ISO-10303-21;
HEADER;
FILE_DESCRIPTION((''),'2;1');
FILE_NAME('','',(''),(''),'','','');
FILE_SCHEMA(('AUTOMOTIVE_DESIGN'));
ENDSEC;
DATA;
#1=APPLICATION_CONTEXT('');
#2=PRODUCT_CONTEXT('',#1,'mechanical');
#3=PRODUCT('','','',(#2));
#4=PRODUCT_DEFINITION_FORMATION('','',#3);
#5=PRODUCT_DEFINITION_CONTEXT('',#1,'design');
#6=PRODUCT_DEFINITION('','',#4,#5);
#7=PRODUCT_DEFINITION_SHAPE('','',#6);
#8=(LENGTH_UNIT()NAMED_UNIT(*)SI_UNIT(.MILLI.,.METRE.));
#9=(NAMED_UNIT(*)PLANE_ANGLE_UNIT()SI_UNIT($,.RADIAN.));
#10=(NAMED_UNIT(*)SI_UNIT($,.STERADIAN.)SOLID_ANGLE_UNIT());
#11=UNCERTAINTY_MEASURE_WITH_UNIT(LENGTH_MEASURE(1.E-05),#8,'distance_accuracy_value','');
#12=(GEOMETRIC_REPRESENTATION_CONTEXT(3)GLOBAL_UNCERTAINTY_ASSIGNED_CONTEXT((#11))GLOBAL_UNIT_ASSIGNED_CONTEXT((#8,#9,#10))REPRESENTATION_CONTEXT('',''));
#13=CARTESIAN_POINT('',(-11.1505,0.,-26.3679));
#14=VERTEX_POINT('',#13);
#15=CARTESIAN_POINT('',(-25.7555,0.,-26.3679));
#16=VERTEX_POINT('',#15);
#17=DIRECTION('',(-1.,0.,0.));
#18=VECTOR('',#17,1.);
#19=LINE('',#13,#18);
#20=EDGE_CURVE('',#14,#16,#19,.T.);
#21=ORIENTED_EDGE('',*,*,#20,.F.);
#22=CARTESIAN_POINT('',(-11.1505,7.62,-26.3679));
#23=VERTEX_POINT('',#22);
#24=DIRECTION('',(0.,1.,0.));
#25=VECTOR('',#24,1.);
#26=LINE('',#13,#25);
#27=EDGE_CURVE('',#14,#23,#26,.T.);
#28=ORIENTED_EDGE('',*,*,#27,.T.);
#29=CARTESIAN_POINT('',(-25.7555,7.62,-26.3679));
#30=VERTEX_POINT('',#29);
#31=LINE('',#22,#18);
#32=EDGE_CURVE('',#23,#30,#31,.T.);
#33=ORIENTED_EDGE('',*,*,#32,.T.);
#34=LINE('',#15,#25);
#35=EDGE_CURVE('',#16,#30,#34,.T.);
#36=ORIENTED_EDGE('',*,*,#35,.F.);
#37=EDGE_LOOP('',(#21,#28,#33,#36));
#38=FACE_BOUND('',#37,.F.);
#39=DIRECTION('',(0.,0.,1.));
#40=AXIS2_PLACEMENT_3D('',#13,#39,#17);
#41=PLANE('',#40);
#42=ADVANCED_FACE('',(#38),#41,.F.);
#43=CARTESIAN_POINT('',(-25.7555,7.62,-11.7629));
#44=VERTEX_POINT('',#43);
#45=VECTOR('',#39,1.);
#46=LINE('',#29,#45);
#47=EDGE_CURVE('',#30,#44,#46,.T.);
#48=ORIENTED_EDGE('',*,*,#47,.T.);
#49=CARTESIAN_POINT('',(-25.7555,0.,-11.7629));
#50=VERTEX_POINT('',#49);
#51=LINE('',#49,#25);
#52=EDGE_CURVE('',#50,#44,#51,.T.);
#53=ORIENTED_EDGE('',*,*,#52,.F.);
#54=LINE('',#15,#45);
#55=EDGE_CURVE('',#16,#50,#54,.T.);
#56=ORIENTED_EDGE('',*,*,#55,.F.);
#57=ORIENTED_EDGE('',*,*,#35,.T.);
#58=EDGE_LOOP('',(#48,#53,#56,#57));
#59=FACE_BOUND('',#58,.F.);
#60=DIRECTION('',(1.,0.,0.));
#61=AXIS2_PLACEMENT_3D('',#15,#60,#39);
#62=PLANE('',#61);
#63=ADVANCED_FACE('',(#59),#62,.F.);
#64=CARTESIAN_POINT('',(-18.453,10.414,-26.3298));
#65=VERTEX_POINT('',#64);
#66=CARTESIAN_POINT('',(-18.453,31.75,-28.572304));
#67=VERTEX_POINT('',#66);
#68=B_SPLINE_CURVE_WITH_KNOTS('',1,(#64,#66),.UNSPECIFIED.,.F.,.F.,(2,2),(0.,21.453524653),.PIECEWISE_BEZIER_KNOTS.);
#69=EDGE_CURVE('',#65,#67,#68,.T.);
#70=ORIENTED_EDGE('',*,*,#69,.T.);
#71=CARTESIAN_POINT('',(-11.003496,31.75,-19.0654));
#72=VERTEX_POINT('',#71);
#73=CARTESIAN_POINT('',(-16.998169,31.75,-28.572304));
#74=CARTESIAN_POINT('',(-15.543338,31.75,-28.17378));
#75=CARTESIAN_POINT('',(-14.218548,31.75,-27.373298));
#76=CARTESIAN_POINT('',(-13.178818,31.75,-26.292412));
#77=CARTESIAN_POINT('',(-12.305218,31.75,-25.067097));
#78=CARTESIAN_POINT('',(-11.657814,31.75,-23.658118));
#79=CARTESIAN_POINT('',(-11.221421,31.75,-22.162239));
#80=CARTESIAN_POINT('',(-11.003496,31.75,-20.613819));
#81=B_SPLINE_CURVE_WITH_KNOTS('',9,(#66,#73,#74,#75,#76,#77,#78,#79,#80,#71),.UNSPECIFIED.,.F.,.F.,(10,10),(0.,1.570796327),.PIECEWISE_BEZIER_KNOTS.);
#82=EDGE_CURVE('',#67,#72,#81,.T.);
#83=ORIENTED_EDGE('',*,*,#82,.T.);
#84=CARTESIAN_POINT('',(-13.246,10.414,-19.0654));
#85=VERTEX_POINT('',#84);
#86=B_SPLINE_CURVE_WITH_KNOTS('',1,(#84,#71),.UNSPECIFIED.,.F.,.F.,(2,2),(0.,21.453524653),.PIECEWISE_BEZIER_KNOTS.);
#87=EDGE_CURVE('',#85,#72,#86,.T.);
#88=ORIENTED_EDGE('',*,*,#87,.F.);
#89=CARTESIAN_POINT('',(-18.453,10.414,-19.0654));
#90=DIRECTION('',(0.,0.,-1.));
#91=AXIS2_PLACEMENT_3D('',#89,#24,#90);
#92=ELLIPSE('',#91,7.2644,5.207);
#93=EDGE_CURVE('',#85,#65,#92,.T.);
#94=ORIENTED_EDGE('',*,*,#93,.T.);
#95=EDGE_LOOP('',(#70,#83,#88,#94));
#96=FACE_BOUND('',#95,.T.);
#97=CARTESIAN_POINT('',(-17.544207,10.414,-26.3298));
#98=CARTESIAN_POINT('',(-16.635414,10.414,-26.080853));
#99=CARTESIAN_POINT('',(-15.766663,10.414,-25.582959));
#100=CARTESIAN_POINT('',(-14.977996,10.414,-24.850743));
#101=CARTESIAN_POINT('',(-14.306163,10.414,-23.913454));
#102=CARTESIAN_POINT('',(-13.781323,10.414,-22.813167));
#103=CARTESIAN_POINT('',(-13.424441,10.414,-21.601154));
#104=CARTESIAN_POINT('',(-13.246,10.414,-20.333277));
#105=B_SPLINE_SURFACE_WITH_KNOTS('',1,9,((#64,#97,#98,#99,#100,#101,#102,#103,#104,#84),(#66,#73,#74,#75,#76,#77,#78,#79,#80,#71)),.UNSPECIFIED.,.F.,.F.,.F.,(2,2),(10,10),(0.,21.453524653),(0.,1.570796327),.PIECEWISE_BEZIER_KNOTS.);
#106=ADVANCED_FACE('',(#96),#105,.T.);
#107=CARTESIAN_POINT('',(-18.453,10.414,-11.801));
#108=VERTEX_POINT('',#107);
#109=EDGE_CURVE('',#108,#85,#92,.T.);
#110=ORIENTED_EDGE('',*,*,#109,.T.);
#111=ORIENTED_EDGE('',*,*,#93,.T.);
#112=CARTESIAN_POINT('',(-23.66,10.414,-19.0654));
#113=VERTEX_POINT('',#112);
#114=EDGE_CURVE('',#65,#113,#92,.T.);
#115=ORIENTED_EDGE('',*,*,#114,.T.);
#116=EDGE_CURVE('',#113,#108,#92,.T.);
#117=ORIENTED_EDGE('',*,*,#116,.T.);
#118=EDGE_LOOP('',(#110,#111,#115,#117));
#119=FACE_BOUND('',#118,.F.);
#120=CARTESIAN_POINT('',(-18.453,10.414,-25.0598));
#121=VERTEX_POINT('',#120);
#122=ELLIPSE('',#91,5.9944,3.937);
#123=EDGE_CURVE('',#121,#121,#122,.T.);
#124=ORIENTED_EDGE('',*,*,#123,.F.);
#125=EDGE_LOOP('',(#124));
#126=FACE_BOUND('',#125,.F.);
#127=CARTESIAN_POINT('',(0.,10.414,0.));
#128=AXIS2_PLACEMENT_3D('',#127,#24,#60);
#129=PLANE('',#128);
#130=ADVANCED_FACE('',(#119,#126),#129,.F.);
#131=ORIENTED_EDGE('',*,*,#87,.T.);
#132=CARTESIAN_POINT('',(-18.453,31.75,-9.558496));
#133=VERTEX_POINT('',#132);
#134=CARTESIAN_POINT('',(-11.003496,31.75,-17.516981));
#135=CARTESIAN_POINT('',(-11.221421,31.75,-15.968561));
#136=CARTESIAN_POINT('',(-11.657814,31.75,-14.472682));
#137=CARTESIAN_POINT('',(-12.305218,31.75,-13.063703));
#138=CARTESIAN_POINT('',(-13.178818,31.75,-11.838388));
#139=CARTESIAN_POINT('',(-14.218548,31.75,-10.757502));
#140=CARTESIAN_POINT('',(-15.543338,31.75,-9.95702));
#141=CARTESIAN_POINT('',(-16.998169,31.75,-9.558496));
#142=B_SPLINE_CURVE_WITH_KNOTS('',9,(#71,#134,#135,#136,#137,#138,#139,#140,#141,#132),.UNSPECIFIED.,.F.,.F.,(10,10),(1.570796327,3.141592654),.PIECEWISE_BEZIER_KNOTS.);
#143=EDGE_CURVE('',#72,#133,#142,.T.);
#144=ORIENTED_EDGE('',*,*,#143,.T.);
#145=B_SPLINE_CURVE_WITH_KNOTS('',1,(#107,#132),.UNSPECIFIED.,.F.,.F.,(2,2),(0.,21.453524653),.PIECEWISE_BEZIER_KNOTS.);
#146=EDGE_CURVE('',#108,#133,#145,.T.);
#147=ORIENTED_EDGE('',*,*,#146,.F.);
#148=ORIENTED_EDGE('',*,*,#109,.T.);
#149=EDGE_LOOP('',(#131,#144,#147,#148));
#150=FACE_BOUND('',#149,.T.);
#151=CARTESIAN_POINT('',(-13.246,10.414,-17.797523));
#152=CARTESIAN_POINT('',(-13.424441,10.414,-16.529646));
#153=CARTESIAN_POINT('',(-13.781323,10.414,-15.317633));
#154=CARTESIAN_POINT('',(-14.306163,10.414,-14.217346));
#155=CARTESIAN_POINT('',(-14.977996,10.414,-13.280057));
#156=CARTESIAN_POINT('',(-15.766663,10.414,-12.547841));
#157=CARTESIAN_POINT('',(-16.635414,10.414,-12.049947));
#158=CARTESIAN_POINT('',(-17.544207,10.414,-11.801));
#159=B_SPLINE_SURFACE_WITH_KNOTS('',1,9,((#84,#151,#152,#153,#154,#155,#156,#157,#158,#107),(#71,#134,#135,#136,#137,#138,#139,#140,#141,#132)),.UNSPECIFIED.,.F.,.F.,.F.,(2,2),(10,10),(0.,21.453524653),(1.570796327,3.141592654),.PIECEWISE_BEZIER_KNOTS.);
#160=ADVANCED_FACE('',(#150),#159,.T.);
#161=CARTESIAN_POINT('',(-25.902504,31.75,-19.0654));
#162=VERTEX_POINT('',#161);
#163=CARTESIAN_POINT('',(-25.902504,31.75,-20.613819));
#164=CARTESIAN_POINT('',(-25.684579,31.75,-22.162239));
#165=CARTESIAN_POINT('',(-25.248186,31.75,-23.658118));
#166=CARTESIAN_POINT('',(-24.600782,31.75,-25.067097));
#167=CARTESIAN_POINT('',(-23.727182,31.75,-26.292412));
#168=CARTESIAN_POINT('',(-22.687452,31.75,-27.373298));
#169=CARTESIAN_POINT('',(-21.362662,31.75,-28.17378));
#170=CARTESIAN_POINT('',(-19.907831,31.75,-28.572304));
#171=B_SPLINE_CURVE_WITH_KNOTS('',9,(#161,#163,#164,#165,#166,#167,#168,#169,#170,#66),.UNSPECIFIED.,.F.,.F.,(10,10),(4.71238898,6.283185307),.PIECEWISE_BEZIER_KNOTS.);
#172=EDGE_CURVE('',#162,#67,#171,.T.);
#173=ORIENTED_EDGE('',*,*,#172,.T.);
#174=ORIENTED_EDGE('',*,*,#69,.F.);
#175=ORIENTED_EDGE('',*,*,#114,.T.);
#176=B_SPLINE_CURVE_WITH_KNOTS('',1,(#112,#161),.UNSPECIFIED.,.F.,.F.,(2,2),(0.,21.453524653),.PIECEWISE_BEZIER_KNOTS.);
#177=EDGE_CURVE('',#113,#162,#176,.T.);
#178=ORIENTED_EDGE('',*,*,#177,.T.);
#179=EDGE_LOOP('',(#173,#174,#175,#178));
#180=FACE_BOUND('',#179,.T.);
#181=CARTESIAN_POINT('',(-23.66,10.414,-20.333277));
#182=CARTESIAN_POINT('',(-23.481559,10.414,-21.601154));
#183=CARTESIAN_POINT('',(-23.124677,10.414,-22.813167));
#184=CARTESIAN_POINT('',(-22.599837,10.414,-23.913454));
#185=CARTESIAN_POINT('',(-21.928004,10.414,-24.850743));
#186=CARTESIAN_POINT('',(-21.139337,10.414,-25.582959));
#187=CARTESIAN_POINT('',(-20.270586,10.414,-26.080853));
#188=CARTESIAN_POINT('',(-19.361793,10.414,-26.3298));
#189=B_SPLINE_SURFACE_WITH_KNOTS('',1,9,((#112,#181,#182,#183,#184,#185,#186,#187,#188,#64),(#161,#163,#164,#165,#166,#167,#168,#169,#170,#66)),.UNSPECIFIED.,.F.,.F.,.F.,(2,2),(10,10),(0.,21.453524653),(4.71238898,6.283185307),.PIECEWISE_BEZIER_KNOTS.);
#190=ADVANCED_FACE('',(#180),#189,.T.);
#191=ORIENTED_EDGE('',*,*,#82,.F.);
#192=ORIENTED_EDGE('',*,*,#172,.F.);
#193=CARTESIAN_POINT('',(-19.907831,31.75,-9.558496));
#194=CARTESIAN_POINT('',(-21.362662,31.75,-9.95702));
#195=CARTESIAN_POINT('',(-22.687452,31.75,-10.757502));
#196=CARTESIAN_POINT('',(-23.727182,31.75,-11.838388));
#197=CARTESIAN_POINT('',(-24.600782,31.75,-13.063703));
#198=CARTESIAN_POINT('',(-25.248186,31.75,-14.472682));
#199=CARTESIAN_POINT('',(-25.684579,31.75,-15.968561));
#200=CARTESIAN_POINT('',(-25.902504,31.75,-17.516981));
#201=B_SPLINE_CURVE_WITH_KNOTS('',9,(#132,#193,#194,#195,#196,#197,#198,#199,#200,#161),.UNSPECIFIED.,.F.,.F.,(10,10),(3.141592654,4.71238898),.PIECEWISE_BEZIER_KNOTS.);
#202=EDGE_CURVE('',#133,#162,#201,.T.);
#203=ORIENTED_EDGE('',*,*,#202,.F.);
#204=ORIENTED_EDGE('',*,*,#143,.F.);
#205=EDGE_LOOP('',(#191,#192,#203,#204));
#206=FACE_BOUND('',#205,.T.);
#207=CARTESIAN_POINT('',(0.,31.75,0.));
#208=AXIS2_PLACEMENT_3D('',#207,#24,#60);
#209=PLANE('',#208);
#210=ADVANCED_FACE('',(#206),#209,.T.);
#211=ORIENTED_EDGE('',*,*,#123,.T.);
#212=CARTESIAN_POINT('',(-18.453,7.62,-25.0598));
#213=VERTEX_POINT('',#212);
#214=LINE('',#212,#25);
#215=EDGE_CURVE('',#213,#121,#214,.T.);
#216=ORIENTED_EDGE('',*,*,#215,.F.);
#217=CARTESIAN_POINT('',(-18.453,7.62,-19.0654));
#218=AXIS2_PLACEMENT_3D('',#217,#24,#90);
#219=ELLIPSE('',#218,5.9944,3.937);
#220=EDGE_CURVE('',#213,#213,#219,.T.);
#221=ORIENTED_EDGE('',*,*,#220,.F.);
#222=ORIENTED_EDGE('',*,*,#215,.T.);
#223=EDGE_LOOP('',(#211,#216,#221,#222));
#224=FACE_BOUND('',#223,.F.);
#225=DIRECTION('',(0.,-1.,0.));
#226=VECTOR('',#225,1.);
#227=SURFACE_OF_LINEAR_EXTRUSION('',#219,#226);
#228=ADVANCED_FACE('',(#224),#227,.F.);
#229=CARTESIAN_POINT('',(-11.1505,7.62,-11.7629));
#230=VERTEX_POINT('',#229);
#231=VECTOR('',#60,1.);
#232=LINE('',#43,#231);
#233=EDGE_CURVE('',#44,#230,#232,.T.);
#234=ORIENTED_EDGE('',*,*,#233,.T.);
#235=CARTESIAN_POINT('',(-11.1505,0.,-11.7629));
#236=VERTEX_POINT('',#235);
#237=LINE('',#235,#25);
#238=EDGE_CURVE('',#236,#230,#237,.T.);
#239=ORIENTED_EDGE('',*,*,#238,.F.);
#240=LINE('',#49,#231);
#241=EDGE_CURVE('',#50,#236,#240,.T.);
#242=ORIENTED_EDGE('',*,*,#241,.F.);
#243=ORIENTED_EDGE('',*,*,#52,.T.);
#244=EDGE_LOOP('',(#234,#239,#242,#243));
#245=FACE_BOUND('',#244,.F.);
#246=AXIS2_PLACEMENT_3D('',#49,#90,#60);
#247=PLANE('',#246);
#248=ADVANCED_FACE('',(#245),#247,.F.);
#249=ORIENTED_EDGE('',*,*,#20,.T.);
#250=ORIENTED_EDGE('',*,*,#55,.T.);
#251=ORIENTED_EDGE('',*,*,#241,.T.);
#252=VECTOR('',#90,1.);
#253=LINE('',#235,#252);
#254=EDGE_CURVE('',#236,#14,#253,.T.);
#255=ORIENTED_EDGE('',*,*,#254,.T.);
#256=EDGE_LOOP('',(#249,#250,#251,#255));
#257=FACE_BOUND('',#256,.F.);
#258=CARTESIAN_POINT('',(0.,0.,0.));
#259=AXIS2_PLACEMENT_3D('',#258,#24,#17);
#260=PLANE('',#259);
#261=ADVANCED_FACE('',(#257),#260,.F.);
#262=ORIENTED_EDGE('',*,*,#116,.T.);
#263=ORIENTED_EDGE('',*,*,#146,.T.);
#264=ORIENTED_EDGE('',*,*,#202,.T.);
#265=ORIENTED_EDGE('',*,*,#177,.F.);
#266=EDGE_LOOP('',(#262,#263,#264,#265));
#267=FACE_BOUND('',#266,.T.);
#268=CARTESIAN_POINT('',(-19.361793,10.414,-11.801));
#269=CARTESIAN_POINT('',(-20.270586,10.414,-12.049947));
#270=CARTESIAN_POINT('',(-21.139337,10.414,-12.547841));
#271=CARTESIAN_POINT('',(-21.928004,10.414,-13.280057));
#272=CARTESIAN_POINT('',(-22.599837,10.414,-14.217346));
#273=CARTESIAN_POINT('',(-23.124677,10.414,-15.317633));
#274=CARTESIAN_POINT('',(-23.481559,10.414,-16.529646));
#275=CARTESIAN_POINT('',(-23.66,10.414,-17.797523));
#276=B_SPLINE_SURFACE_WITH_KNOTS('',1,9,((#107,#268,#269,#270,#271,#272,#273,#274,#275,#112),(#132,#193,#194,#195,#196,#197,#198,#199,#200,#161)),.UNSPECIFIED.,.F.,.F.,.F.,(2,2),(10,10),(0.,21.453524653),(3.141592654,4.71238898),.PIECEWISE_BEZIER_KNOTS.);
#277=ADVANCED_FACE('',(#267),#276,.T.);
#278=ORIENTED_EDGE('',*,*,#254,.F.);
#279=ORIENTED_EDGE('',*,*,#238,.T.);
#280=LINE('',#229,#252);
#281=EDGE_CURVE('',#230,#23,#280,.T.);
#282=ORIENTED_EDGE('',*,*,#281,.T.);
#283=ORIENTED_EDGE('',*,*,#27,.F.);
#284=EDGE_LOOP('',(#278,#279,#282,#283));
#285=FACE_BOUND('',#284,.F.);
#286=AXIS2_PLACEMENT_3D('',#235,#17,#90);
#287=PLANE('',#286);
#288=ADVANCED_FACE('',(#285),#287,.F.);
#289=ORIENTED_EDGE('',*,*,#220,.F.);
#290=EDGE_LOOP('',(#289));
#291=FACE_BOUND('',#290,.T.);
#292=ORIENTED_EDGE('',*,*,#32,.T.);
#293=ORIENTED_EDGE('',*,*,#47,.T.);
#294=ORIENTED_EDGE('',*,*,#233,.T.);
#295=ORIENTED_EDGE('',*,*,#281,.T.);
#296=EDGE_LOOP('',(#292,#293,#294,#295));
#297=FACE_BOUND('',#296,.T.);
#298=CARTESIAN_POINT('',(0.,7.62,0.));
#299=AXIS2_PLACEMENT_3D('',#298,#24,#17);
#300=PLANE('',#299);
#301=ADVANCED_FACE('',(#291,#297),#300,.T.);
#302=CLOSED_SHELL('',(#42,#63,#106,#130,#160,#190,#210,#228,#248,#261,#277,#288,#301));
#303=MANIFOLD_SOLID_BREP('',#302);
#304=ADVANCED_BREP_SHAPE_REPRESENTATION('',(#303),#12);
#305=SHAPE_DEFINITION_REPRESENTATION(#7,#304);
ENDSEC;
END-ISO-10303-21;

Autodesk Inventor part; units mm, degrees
ref_plane "YZ Plane" through (0, 0, 0) normal (1, 0, 0) x (0, 1, 0)
ref_plane "XZ Plane" through (0, 0, 0) normal (0, 1, 0) x (-1, 0, 0)
ref_plane "XY Plane" through (0, 0, 0) normal (0, 0, 1) x (1, 0, 0)
sketch "Sketch2" plane through (0, 0, 0) normal (0, 1, 0) x (-1, 0, 0)
  line L0 (25.7555, -11.7629) -> (11.1505, -11.7629)
  line L1 (11.1505, -11.7629) -> (11.1505, -26.3679)
  line L2 (11.1505, -26.3679) -> (25.7555, -26.3679)
  line L3 (25.7555, -26.3679) -> (25.7555, -11.7629)
  point P0 (0, 0)
  dimension "d0" = 14.605
  dimension "d1" = 14.605
extrude "Extrusion1" add sketch "Sketch2" along normal blind 7.62
sketch "Sketch3" plane through (0, 7.62, 0) normal (0, 1, 0) x (1, 0, 0)
  ellipse E0 centre (-18.453, 19.0654) end of major axis (-18.453, 25.0598) minor radius 3.937
  ellipse E1 centre (-18.453, 19.0654) end of major axis (-18.453, 26.3298) minor radius 5.207
  point P0 (0, 0)
  dimension "d13" = 5.9944
  dimension "d14" = 3.937
  dimension "d15" = 5.207
  dimension "d16" = 7.2644
extrude "Extrusion3" add sketch "Sketch3" along normal blind 2.794 contours E0
sketch "Sketch6" plane through (0, 10.414, 0) normal (0, 1, 0) x (1, 0, 0)
  ellipse E0 centre (-18.453, 19.0654) end of major axis (-18.453, 26.3298) minor radius 5.207 projected
  ellipse E1 centre (-18.453, 19.0654) end of major axis (-18.453, 13.071) minor radius 3.937 projected
  ellipse E2 centre (-18.453, 19.0654) end of major axis (-18.453, 26.3298) minor radius 5.207
  point P0 (0, 0)
extrude "Extrusion4" add sketch "Sketch6" along normal blind 21.336 draft 6 contours E0 | E1
ref_plane "Work Plane2" through (-18.453, 0, -11.7629) normal (1, 0, 0) x (0, 0, -1)
sketch "Sketch9" plane through (-18.453, 0, -11.7629) normal (1, 0, 0) x (0, 0, -1)
  arc A0 (23.2608, 28.3606) -> (-8.4979, 28.3606) centre (7.3815, 6.1892) ccw
  line L0 (-8.4979, 28.3606) -> (23.2608, 28.3606)
  line L1 (23.2608, 28.3606) -> (14.605, 0)
  line L2 (14.605, 0) -> (0, 0)
  line L3 (14.605, 0) -> (0, 0) projected
  line L4 (0, 0) -> (-8.4979, 28.3606)
  point P0 (-11.7629, 0)
properties part number "MalePassengerTL"
